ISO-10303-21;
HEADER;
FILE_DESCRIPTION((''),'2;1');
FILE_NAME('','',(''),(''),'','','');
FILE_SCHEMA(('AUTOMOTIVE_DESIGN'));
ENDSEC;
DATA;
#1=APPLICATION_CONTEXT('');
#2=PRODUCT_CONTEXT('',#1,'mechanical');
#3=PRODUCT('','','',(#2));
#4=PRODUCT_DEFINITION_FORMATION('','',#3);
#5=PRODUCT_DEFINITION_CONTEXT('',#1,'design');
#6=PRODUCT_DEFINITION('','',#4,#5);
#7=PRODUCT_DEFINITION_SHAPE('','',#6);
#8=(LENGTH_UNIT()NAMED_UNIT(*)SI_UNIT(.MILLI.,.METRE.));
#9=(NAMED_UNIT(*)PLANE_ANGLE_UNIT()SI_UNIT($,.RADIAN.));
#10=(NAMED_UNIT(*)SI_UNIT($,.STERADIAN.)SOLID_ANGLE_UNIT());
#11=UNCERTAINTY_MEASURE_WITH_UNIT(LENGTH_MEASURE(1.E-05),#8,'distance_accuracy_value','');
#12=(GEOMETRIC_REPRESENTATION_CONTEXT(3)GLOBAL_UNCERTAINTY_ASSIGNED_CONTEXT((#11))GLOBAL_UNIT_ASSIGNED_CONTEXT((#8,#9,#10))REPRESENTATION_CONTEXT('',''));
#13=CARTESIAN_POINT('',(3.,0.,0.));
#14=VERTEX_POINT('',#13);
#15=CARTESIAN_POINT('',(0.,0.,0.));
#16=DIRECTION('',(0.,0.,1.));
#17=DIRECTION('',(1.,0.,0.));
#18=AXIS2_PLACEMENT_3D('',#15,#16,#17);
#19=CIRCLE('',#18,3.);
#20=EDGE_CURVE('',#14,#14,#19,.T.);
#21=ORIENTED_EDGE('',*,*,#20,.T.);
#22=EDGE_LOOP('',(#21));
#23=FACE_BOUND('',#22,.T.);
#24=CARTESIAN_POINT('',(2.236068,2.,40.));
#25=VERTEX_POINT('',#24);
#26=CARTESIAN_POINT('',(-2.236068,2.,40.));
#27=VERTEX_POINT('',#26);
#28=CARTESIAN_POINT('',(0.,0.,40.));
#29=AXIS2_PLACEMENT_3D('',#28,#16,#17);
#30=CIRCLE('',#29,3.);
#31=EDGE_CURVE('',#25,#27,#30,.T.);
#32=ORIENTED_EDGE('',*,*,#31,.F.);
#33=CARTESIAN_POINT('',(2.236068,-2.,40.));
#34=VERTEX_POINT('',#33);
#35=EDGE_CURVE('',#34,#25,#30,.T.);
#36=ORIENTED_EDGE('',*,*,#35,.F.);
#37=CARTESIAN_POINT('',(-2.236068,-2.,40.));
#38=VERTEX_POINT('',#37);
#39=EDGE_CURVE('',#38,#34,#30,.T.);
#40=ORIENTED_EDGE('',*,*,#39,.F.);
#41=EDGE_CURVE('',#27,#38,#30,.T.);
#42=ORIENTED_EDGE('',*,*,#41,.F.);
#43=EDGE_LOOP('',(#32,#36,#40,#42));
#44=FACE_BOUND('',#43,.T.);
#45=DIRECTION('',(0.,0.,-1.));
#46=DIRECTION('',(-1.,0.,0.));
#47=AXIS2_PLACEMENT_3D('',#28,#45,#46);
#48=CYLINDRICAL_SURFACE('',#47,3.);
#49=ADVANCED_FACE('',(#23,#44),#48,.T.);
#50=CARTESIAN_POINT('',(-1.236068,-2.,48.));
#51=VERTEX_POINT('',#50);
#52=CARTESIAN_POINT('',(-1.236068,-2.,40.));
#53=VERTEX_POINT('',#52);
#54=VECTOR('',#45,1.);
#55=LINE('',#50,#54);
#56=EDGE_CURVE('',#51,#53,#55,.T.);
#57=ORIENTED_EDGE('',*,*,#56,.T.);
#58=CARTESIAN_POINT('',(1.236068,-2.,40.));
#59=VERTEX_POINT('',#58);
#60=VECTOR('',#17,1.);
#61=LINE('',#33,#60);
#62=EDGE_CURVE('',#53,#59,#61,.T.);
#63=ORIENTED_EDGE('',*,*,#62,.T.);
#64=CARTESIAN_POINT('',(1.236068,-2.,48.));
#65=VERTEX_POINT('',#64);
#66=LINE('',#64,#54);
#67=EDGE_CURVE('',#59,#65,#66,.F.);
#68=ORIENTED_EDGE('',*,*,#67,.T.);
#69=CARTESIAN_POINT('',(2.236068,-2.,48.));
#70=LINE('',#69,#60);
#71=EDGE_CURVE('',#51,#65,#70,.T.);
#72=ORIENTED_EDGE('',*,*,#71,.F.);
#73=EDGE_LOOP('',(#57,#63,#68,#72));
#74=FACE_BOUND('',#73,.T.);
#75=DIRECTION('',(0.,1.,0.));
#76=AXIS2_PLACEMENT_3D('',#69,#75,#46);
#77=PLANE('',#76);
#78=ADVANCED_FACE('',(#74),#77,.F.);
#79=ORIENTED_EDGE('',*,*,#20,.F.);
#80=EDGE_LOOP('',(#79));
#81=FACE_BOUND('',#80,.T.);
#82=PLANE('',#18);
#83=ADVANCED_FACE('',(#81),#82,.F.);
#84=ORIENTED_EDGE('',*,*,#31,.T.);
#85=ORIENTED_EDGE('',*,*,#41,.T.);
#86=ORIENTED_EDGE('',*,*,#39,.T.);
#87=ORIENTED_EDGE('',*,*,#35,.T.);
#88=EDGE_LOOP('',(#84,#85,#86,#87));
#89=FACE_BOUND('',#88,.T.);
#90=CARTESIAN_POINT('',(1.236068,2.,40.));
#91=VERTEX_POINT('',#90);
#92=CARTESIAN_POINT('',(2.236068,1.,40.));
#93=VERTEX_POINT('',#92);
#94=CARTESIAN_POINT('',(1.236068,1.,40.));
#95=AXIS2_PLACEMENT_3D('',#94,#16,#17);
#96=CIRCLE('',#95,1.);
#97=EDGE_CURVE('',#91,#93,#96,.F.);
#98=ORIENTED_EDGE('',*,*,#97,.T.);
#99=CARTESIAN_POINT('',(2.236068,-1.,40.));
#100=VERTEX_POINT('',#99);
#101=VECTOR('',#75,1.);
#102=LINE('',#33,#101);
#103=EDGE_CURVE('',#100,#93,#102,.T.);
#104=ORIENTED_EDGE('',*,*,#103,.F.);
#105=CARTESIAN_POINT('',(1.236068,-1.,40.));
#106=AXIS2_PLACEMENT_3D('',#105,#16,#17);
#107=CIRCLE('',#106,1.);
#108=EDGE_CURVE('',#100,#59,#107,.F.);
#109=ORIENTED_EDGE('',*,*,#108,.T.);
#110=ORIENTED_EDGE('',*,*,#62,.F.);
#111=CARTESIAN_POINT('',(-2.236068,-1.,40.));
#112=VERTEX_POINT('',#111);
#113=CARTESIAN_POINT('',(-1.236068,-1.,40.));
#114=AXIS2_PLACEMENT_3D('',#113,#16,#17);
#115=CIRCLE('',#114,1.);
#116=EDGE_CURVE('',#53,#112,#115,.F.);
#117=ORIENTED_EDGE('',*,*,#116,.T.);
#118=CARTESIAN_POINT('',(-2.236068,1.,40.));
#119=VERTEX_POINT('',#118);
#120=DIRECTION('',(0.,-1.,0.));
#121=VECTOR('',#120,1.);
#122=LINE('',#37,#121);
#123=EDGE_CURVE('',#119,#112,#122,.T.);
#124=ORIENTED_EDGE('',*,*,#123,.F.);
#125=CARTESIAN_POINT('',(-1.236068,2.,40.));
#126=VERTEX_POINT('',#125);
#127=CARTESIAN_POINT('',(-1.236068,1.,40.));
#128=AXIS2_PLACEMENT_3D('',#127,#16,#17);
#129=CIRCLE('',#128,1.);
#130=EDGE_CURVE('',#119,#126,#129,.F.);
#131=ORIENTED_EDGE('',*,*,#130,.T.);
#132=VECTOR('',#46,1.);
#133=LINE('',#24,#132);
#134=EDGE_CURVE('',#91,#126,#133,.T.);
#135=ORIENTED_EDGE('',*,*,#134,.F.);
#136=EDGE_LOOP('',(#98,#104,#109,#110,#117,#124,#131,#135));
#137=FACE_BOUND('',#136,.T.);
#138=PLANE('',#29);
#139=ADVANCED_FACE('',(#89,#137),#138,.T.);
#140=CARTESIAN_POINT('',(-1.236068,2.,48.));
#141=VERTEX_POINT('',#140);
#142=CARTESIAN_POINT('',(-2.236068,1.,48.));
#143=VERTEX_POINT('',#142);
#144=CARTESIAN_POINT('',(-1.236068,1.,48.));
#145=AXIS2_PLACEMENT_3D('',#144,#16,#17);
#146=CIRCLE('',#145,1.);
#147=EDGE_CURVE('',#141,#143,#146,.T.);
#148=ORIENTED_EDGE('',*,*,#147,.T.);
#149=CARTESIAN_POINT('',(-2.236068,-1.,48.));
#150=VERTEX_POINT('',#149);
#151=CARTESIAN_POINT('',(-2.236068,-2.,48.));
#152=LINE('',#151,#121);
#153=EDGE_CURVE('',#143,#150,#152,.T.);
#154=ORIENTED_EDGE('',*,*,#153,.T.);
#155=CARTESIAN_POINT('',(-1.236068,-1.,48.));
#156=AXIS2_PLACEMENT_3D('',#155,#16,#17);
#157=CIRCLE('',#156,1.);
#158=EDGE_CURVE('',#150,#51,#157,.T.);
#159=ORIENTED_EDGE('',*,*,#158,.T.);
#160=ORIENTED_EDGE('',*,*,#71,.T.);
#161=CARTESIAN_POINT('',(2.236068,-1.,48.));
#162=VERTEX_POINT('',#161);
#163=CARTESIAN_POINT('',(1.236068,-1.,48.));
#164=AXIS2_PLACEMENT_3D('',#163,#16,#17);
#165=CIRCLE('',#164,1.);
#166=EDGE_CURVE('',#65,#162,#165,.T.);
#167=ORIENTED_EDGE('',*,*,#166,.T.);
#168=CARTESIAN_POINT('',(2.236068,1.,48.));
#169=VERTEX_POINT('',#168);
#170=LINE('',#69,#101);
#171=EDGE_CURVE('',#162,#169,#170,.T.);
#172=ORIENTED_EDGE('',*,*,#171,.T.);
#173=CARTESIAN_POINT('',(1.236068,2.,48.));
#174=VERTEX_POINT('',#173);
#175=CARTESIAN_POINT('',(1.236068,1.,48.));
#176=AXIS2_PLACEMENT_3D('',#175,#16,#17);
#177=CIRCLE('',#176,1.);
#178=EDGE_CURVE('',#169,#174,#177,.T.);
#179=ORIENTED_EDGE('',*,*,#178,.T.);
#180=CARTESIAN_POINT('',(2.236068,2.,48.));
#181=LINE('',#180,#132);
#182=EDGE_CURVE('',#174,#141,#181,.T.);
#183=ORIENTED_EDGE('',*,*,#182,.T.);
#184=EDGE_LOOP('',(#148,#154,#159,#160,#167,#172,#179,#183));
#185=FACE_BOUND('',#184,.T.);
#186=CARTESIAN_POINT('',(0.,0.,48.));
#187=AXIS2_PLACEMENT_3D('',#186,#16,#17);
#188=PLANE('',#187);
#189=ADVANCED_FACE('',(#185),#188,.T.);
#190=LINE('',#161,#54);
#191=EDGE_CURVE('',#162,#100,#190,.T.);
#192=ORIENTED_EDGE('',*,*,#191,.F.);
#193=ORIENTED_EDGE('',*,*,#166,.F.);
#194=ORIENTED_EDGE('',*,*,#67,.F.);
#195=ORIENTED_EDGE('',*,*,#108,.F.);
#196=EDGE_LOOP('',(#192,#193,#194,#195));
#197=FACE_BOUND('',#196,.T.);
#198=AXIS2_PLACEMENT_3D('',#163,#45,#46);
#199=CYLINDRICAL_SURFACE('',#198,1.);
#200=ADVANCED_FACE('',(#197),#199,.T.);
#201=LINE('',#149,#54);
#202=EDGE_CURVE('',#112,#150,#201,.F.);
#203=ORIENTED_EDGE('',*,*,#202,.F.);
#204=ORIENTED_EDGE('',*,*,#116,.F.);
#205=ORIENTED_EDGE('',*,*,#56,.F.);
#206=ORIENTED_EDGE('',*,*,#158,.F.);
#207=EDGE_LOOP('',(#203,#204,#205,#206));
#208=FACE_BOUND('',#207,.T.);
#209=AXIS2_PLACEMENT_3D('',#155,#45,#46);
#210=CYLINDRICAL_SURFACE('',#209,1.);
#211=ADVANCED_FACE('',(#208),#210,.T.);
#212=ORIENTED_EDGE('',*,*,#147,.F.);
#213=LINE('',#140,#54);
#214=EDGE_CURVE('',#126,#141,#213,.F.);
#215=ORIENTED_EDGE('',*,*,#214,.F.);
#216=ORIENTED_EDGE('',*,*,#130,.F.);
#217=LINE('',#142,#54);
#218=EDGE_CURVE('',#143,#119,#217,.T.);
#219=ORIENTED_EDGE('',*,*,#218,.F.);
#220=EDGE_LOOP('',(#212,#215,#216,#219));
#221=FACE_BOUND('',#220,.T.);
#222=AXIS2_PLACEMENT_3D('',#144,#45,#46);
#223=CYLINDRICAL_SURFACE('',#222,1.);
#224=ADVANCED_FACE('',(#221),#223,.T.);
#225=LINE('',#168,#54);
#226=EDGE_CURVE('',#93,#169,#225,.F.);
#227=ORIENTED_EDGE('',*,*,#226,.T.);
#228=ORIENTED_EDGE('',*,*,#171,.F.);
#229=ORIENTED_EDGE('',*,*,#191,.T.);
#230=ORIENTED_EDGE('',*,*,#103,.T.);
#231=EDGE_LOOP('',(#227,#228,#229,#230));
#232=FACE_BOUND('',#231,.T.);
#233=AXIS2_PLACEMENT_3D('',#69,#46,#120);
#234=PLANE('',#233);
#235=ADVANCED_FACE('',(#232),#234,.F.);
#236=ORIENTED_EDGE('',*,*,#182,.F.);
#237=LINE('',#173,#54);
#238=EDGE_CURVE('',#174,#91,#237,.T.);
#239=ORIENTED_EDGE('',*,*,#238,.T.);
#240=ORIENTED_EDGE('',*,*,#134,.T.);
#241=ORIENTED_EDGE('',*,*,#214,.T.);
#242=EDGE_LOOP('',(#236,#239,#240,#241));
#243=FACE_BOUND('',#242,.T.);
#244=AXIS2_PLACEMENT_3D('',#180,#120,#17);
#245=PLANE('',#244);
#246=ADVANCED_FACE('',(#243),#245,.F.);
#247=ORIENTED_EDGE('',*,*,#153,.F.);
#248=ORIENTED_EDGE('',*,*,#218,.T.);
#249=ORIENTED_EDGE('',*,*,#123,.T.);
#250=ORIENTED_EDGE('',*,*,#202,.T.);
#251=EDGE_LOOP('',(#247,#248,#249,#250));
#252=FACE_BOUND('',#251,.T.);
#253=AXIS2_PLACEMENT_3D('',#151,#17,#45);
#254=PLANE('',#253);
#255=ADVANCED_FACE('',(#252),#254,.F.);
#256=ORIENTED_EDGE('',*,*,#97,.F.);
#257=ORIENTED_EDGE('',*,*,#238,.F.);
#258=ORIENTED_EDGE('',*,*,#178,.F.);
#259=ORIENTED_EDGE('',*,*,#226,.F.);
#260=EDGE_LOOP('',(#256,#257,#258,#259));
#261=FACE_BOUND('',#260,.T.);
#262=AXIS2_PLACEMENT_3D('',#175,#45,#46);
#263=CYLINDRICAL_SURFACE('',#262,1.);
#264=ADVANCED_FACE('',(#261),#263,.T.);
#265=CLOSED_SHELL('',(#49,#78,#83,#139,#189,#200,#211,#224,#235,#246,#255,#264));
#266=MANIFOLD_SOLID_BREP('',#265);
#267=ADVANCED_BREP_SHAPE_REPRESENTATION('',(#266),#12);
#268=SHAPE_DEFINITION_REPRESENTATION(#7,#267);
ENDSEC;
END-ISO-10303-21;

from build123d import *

# Parameters (mm, degrees)
SKETCH1_R           = 3
BOSS_EXTRUDE1_DEPTH = 40
SKETCH2_W           = 4.472135954
SKETCH2_H           = 4
BOSS_EXTRUDE2_DEPTH = 8
FILLET1_R           = 1


with BuildPart() as part:
    # Sketch1 → Boss-Extrude1 (new body)
    with BuildSketch(Plane.XY):
        Circle(SKETCH1_R)
    extrude(amount=BOSS_EXTRUDE1_DEPTH)

    # Sketch2 → Boss-Extrude2 (add)
    with BuildSketch(Plane.XY.offset(40)):
        Rectangle(SKETCH2_W, SKETCH2_H)
    extrude(amount=BOSS_EXTRUDE2_DEPTH)

    # Fillet1
    fillet1_edges = [part.edges().sort_by_distance(p)[0] for p in [
        (2.236067977, -2, 44),
        (2.236067977, 2, 44),
        (-2.236067977, 2, 44),
        (-2.236067977, -2, 44),
    ]]
    fillet(fillet1_edges, radius=FILLET1_R)


solid = part.part
